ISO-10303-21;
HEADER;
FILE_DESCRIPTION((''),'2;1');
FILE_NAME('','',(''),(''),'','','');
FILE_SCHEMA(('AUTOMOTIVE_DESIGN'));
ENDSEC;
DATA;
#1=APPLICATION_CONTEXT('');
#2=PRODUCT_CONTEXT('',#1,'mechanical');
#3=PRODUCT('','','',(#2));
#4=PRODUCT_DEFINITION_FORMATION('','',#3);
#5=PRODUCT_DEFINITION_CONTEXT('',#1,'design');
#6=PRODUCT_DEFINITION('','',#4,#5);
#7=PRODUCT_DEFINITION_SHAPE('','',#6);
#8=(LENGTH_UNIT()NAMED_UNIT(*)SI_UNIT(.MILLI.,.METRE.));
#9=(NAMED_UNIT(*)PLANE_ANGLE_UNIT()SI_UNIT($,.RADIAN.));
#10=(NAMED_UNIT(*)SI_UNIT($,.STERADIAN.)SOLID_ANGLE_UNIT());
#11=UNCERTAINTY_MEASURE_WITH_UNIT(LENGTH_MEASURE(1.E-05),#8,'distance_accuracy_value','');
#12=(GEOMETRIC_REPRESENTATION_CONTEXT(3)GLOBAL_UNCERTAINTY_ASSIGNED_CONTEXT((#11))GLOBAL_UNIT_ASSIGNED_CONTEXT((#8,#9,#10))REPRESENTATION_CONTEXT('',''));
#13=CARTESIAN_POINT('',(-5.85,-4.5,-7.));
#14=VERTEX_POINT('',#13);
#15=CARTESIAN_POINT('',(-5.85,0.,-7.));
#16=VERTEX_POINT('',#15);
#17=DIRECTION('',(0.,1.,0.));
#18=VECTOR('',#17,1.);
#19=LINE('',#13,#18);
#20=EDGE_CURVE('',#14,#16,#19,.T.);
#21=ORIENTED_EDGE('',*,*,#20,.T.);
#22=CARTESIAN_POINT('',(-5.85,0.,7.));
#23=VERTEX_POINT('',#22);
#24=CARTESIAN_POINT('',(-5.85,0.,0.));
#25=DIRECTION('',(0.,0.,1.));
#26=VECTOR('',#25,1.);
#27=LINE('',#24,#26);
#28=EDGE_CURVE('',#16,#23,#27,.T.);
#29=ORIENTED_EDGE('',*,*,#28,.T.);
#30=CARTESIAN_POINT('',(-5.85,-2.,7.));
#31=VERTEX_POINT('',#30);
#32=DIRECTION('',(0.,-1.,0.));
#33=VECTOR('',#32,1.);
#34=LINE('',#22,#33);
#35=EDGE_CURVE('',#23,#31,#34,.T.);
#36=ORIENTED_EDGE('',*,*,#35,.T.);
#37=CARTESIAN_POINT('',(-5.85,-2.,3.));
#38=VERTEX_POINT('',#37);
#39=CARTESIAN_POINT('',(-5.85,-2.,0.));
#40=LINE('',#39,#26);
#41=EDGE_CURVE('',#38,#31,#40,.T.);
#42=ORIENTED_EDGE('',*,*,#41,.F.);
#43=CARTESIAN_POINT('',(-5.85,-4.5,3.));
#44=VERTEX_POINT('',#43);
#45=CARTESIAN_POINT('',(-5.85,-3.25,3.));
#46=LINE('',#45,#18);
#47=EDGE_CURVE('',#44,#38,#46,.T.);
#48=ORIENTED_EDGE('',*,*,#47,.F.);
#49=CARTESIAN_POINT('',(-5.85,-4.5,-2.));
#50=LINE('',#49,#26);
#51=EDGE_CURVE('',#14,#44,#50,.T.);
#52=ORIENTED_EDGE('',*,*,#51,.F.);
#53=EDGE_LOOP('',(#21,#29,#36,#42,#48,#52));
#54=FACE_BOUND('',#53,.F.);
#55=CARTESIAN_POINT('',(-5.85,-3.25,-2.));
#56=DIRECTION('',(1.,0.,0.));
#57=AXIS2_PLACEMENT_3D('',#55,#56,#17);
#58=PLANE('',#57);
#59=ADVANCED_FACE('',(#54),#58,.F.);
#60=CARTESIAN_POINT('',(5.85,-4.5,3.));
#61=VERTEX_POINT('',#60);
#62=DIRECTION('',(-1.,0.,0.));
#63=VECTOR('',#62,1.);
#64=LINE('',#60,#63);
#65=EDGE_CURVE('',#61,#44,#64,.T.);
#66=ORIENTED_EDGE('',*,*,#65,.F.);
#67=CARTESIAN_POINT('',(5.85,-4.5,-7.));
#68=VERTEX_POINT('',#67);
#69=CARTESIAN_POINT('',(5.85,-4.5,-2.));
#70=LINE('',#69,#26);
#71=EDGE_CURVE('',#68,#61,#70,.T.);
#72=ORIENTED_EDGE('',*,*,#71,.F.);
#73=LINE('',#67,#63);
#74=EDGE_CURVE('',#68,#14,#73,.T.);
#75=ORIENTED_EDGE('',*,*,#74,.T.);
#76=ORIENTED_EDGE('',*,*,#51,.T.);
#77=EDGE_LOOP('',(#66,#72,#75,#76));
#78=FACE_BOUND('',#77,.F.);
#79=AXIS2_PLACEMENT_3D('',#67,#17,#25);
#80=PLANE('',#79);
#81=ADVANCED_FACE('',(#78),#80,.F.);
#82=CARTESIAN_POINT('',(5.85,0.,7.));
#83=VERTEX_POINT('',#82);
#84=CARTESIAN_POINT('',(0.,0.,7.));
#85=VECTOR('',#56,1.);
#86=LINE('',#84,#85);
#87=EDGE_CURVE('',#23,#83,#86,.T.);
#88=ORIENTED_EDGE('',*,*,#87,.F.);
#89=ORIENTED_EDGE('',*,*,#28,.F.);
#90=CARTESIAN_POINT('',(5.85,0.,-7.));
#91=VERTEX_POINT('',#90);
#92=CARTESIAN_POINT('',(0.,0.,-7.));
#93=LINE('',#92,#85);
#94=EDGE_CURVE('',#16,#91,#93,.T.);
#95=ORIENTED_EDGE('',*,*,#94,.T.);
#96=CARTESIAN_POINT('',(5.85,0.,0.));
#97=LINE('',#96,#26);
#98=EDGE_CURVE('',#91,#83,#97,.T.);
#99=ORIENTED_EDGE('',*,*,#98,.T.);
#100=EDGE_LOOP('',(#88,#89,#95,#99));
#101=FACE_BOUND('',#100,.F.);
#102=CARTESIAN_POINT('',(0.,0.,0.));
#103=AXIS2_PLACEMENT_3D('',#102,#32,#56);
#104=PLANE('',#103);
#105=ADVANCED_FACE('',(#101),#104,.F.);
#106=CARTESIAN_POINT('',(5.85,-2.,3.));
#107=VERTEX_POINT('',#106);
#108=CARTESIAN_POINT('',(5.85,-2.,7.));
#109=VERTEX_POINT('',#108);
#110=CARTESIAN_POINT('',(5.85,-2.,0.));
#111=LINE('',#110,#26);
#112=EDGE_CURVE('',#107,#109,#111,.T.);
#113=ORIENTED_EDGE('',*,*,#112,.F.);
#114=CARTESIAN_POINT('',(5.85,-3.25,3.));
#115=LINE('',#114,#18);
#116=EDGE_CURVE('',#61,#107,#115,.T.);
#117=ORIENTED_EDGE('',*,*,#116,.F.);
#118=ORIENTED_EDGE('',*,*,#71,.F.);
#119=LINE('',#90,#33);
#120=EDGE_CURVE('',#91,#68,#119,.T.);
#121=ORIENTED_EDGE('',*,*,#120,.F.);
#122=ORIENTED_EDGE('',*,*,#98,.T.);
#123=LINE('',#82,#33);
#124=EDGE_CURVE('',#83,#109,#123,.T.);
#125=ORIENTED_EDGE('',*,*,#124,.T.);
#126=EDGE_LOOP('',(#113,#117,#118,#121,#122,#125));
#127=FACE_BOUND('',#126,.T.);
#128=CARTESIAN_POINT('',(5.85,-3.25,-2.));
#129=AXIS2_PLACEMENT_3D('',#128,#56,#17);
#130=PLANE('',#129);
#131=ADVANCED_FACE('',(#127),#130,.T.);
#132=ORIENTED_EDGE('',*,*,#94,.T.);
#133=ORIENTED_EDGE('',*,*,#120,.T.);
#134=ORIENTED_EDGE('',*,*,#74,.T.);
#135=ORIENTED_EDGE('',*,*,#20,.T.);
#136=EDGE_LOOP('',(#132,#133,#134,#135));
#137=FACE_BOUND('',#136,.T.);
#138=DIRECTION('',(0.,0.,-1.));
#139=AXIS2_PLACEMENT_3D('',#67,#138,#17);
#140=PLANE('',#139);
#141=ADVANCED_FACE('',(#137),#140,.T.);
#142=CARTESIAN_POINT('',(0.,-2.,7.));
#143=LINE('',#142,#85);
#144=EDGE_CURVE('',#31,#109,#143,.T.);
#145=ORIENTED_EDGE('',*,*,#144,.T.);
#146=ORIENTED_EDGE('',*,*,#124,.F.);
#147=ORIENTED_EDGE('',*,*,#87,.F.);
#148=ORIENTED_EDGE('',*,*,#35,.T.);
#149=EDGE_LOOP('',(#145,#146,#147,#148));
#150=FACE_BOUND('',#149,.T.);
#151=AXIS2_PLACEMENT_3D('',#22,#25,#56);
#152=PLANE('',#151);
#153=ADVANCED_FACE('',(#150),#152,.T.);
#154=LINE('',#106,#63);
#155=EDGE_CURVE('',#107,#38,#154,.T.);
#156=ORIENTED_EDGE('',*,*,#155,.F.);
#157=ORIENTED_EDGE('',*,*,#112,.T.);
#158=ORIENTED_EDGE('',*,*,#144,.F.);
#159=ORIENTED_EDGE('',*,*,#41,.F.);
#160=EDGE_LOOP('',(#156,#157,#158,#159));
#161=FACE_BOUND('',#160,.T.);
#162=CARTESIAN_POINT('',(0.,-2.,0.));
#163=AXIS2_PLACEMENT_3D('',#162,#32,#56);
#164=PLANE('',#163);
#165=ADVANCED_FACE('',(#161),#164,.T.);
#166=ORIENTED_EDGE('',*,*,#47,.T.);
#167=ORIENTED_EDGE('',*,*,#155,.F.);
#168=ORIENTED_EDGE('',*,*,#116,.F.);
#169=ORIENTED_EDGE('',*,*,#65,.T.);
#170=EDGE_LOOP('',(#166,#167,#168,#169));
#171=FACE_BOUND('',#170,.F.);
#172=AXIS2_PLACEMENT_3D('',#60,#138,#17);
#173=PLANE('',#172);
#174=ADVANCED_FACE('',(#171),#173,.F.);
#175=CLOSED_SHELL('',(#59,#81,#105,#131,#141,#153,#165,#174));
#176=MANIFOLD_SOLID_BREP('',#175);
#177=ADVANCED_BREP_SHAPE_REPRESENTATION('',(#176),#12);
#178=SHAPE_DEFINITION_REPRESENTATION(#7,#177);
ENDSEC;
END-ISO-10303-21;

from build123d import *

# Parameters (mm, degrees)
F0_W     = 11.7
F0_H     = 14
F1_DEPTH = 2
F2_W     = 2.5
F2_H     = 10
F3_DEPTH = 11.7


with BuildPart() as f1:
    # F0 (on Front) → F1 (new body)
    with BuildSketch(Plane.XZ):
        Rectangle(F0_W, F0_H)
    extrude(amount=F1_DEPTH)

    # F2 (on face) → F3 (join)
    with BuildSketch(Plane.YZ.offset(5.85)):
        with Locations((-3.25, -2)):
            Rectangle(F2_W, F2_H)
    extrude(amount=-F3_DEPTH)


solid = f1.part
